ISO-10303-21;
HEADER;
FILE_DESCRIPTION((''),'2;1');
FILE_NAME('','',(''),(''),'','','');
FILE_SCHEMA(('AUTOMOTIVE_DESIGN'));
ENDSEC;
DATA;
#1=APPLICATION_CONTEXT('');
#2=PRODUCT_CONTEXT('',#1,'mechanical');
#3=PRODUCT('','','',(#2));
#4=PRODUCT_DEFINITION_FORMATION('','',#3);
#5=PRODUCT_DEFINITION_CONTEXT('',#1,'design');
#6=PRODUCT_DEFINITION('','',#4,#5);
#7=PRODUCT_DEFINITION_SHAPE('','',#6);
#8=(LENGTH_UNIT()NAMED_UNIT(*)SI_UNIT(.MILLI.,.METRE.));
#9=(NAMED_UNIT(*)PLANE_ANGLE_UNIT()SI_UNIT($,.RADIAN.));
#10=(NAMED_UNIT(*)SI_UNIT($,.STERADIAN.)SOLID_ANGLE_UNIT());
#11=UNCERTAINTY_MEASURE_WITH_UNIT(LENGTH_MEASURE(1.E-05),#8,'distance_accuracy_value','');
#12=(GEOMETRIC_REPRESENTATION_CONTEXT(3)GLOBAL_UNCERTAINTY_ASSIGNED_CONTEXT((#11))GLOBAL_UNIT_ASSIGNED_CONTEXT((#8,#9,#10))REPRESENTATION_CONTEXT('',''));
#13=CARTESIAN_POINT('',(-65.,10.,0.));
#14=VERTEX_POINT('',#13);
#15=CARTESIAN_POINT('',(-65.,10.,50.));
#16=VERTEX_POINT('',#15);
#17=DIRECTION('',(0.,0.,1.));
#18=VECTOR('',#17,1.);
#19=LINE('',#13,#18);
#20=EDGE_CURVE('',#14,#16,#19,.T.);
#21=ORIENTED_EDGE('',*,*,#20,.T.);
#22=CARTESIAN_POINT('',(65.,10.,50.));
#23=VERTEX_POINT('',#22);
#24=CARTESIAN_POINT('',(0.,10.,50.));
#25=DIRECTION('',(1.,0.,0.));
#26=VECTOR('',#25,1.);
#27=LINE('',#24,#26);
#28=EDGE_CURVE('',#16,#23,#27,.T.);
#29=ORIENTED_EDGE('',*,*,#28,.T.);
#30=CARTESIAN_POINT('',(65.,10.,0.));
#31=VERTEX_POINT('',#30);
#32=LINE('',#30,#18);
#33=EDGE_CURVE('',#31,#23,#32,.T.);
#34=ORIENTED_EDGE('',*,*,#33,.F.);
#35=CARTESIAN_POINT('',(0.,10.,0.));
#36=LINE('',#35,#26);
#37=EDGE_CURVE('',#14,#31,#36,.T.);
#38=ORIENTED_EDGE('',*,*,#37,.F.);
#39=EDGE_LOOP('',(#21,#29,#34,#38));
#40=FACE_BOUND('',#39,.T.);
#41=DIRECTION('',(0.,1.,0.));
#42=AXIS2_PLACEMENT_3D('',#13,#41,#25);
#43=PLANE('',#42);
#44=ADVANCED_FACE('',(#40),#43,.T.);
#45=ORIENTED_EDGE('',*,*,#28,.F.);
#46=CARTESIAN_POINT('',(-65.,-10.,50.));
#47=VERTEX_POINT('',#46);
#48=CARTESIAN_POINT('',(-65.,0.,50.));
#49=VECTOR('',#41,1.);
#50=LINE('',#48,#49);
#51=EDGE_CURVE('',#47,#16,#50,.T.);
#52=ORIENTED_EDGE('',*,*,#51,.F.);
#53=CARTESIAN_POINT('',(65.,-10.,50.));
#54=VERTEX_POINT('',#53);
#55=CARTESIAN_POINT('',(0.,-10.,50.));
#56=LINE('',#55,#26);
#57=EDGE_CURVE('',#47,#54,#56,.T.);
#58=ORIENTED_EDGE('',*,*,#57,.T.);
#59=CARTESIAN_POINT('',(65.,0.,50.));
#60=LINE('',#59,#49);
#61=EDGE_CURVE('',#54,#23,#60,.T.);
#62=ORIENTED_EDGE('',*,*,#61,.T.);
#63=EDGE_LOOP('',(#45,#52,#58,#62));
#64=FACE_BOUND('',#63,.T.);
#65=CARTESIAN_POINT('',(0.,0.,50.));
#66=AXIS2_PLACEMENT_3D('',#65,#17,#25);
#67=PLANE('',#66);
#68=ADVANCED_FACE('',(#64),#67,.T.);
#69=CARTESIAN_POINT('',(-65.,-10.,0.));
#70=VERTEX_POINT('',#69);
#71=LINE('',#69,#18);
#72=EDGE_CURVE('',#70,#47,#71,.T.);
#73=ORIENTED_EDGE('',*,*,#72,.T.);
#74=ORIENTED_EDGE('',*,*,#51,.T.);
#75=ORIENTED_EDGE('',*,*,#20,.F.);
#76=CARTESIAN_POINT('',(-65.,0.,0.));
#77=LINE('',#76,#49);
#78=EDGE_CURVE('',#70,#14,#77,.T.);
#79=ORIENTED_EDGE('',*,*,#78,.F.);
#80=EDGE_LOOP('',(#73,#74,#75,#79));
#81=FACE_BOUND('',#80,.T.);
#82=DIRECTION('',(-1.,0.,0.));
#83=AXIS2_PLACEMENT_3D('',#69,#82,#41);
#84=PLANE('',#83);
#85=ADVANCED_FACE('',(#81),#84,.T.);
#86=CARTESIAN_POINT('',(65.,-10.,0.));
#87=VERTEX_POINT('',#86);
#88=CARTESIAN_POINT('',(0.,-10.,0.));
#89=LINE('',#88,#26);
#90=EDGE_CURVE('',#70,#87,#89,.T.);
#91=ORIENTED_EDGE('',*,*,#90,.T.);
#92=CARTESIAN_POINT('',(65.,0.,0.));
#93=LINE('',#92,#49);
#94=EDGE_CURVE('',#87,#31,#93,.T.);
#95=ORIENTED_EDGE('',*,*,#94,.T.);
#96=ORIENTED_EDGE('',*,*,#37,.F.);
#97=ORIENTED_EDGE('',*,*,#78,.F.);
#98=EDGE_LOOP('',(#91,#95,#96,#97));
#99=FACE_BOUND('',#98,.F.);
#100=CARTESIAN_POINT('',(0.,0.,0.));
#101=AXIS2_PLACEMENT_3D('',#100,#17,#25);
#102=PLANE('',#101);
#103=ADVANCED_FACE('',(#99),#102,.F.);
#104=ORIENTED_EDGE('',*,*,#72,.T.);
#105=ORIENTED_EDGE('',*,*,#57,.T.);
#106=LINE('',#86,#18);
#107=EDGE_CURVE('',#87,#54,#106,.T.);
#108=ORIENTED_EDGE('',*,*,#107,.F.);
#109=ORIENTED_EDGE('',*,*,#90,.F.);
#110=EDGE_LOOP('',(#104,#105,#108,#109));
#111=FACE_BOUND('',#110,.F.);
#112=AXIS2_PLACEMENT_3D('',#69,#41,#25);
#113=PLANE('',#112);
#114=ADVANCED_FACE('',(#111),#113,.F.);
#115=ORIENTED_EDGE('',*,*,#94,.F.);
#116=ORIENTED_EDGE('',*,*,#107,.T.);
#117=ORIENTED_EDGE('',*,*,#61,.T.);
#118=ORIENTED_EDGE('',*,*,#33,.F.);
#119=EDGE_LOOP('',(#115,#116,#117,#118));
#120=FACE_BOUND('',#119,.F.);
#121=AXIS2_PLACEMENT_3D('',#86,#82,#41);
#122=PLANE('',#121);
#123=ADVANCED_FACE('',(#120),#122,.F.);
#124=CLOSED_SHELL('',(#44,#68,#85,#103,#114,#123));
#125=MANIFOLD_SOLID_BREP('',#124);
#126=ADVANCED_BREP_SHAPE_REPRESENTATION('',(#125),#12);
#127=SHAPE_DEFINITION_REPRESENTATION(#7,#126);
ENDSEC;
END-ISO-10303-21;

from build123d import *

# Parameters (mm, degrees)
SKETCH_W      = 130
SKETCH_H      = 20
EXTRUDE_DEPTH = 50


with BuildPart() as part:
    # Sketch → Extrude (new body)
    with BuildSketch(Plane.XY):
        Rectangle(SKETCH_W, SKETCH_H)
    extrude(amount=EXTRUDE_DEPTH)


solid = part.part
